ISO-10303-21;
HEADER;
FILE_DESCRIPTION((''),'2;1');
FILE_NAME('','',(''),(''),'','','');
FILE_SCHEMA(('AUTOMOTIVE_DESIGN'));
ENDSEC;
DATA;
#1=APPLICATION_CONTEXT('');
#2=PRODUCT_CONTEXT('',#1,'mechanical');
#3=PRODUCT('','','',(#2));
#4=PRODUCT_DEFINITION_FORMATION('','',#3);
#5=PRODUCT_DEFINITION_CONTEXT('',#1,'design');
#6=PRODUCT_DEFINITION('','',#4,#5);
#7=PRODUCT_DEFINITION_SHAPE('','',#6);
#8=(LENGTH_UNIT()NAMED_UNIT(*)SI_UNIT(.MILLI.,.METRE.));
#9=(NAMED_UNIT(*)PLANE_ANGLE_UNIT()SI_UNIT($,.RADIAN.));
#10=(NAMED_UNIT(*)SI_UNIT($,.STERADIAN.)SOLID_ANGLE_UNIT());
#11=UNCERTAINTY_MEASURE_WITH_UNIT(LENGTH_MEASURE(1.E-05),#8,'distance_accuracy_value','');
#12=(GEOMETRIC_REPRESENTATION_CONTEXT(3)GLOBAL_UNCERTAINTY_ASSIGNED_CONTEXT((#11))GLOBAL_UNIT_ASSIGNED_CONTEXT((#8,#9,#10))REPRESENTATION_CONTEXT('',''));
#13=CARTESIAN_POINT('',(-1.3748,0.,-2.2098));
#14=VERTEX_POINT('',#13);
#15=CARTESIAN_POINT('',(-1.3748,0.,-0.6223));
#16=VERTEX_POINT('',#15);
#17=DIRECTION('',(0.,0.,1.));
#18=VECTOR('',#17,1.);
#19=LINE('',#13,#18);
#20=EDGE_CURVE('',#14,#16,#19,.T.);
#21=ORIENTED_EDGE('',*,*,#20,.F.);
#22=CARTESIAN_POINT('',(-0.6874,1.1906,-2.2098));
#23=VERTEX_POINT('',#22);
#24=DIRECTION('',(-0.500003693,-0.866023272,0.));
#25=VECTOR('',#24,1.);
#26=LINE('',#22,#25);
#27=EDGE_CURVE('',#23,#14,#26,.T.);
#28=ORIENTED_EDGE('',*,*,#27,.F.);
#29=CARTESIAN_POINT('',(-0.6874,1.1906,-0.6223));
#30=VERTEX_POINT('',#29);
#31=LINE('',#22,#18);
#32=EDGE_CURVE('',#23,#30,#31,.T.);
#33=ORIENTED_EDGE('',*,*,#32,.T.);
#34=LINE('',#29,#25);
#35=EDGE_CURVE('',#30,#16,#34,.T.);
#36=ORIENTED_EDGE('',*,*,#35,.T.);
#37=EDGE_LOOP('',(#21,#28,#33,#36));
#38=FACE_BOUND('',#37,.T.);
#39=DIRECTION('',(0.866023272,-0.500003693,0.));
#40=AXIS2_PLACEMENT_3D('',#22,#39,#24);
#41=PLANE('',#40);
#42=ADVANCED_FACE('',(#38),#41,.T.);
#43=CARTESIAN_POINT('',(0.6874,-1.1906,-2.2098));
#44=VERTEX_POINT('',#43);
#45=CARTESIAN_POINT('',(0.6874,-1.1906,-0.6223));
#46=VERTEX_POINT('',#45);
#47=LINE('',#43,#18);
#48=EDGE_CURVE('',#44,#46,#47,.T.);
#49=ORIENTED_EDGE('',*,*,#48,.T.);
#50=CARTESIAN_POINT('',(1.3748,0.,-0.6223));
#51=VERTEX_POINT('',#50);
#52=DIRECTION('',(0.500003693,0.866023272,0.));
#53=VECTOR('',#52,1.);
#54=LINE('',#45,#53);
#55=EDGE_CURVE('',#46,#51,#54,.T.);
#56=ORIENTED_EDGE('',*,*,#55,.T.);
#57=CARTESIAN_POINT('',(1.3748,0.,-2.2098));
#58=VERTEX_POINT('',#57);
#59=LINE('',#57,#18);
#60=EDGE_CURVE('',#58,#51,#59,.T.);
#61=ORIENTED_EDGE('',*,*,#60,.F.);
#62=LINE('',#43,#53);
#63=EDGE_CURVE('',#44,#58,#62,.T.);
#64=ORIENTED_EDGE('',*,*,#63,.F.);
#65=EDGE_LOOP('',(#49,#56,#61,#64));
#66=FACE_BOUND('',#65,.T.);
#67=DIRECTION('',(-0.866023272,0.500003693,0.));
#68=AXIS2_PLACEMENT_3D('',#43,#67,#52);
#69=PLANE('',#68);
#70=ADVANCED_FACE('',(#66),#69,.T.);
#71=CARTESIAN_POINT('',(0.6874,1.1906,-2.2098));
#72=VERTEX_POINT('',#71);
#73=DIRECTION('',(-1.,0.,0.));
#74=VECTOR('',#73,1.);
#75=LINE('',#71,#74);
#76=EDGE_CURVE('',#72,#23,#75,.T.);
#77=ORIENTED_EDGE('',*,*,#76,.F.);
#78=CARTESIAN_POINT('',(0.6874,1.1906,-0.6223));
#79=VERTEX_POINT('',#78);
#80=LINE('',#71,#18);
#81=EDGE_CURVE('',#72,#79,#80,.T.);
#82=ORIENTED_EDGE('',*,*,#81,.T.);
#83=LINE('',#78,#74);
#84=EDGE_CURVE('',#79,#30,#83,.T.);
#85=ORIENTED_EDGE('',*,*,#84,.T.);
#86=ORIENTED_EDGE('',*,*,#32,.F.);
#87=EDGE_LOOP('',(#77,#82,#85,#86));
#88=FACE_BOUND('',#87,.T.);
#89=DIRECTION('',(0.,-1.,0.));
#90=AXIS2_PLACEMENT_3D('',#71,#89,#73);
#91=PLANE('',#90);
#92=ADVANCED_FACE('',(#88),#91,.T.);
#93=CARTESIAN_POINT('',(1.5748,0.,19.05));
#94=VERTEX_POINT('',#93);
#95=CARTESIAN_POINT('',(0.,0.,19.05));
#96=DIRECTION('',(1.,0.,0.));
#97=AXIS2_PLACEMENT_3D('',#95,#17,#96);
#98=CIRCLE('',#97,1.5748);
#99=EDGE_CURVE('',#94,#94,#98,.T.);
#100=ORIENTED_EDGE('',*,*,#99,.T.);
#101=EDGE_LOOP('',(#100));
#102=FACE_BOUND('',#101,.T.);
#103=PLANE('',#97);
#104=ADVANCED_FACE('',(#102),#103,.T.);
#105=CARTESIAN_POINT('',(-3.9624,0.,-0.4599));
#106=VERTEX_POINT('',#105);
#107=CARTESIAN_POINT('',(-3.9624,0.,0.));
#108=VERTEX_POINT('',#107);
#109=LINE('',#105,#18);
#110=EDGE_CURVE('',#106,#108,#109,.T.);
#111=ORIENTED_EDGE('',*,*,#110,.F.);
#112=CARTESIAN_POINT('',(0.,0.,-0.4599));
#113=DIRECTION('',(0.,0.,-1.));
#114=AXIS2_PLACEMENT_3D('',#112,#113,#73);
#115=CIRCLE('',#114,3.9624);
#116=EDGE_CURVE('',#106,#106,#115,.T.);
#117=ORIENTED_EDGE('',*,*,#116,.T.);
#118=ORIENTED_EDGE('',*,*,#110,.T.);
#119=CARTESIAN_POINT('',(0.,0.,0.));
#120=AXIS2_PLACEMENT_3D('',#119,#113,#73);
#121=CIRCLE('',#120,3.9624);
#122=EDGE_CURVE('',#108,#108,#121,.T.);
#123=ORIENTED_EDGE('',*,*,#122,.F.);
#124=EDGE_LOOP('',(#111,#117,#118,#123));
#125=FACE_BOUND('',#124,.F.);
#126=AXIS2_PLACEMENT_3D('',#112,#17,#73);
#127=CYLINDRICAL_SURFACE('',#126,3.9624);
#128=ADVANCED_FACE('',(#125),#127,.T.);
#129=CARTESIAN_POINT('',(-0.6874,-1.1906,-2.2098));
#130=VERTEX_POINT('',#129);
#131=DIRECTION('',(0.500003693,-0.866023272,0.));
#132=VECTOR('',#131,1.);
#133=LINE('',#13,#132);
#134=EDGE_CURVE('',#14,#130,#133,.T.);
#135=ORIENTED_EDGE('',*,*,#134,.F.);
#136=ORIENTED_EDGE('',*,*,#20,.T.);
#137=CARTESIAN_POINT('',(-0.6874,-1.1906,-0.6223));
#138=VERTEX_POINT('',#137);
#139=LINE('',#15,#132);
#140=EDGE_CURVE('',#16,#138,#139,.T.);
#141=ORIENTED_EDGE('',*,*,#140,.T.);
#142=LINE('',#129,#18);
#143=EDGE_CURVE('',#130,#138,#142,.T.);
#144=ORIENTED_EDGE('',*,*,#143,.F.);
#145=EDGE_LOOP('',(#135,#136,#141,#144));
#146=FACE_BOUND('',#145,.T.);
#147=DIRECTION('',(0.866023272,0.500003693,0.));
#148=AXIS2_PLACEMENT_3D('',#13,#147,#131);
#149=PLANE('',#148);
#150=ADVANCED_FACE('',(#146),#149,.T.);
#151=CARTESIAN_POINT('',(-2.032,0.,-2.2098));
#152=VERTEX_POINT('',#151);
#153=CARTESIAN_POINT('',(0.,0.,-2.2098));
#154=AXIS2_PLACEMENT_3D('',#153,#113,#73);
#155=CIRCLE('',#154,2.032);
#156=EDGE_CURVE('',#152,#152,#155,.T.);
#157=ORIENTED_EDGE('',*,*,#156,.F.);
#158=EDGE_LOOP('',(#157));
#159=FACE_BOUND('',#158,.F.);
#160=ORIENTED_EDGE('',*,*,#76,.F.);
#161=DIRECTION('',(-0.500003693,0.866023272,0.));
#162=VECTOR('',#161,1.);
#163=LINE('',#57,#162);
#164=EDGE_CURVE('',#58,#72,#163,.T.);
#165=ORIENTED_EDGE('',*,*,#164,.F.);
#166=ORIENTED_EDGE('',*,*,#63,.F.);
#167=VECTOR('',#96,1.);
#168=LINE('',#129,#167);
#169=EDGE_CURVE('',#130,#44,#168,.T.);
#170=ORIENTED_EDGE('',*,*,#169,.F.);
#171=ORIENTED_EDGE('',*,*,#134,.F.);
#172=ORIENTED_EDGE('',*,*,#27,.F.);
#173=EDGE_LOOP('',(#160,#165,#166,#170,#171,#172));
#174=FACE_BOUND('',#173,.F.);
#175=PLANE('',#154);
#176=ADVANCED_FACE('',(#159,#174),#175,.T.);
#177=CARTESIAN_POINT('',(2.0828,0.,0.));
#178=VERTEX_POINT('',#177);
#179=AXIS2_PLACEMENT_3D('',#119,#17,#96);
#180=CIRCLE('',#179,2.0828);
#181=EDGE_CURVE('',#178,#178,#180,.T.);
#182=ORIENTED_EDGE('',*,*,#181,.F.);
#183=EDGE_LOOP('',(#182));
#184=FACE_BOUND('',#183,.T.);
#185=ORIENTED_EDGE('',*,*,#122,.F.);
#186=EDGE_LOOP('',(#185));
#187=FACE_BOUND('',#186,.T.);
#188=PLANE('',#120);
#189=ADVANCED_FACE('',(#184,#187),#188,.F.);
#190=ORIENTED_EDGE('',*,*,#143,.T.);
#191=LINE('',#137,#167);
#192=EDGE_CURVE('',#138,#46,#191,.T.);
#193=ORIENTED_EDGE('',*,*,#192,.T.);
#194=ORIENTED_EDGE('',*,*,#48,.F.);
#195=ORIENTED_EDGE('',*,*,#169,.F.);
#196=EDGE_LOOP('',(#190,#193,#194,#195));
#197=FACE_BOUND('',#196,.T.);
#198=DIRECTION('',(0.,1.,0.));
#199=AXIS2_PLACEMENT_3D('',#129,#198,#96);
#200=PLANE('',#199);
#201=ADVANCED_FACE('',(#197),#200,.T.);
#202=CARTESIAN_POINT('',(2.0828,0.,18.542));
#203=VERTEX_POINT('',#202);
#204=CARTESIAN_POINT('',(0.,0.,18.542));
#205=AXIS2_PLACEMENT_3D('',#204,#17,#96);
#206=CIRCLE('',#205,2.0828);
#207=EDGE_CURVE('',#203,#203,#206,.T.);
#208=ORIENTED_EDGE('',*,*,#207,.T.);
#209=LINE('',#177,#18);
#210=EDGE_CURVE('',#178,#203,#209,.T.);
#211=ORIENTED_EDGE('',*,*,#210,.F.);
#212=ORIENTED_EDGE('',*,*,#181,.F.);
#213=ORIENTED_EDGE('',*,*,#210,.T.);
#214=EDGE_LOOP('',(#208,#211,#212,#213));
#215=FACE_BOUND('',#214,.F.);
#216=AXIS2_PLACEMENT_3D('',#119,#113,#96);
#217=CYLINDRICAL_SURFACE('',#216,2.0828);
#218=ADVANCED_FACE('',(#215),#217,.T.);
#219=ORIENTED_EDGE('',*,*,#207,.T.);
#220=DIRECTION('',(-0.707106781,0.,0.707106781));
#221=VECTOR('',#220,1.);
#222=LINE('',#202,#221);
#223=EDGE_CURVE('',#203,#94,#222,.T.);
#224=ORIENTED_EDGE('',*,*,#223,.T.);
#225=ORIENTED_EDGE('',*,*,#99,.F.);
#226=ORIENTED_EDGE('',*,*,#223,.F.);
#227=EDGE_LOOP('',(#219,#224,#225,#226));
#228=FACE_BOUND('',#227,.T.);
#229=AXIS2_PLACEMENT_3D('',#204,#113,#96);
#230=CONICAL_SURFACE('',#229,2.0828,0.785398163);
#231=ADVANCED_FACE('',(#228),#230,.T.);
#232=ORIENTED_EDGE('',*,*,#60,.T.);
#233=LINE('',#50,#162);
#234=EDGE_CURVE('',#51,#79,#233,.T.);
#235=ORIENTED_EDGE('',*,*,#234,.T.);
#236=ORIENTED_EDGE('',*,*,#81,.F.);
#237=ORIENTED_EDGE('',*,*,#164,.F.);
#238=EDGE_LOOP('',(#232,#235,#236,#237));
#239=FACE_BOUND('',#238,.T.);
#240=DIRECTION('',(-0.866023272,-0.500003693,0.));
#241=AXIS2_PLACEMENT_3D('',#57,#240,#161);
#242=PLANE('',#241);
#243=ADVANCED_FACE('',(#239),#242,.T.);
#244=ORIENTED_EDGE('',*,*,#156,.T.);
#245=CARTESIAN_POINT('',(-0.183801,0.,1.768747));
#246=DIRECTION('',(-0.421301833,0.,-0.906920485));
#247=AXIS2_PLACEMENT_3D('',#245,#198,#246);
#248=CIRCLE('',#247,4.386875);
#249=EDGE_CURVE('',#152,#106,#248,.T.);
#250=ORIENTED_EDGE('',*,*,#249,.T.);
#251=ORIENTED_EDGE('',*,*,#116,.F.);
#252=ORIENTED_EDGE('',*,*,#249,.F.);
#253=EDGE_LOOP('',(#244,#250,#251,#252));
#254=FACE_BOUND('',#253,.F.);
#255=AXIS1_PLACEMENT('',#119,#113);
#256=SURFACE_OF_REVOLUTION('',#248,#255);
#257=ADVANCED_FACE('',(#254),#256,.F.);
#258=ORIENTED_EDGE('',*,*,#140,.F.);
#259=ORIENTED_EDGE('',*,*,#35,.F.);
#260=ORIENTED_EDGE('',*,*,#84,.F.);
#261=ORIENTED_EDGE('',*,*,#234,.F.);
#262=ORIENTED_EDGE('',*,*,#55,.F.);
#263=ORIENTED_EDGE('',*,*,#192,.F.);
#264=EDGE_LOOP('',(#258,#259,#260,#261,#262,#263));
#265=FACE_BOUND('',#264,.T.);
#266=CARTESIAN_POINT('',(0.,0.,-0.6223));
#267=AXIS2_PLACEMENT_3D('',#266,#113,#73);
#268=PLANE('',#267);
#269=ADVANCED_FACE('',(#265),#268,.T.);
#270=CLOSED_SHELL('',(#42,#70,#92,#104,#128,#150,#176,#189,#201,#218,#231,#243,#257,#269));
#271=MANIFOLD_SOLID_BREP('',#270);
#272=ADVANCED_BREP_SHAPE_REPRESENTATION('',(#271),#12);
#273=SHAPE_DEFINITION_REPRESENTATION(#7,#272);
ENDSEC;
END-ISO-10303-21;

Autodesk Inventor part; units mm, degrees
ref_plane "YZ Plane" through (0, 0, 0) normal (1, 0, 0) x (0, 1, 0)
ref_plane "XZ Plane" through (0, 0, 0) normal (0, 1, 0) x (-1, 0, 0)
ref_plane "XY Plane" through (0, 0, 0) normal (0, 0, 1) x (1, 0, 0)
sketch "Sketch1" plane through (0, 0, 0) normal (0, 0, 1) x (1, 0, 0)
  circle A0 centre (0, 0) radius 2.0828
  dimension "d0" = 4.1656
extrude "Extrusion1" add sketch "Sketch1" along normal blind 19.05
sketch "Sketch2" plane through (0, 0, 0) normal (0, 1, 0) x (-1, 0, 0)
  line L0 (0, 0) -> (0, -2.2098)
  line L1 (0, 0) -> (3.9624, 0)
  line L2 (0, -2.2098) -> (2.032, -2.2098)
  line L3 (3.9624, 0) -> (3.9624, 3.6562) construction
  arc A0 (2.032, -2.2098) -> (3.9624, -0.4599) centre (0.1837, 1.7689) ccw
  line L4 (4.5847, 0.6553) -> (4.5847, -0.2608) construction
  line L5 (3.9624, -0.4599) -> (3.9624, 0)
  dimension "d3" = 2.2098
  dimension "d6" = 2.032
  dimension "d19" = 3.9624
revolve "Revolution1" add sketch "Sketch2" angle 360 about axis through (0, 0, 0) along (0, 0, -1)
sketch "Sketch3" plane through (0, 0, -2.2098) normal (0, 0, -1) x (-1, 0, 0)
  circle A0 centre (0, 0) radius 2.032 projected
  line L0 (-0.6874, 1.1906) -> (0.6874, 1.1906)
  line L1 (0.6874, 1.1906) -> (1.3748, 0)
  line L2 (1.3748, 0) -> (0.6874, -1.1906)
  line L3 (0.6874, -1.1906) -> (-0.6874, -1.1906)
  line L4 (-0.6874, -1.1906) -> (-1.3748, 0)
  line L5 (-1.3748, 0) -> (-0.6874, 1.1906)
  dimension "d8" = 2.3813
extrude "Extrusion2" cut sketch "Sketch3" against normal blind 1.5875 contours L0 L1 L2 L3 L4 L5
chamfer "Chamfer1" distance 0.508 angle 45 1 edges at (-2.0828, 0, 19.05)
thread "Thread1" size "8-32 UNC" class "2A" standard "ANSI Unified Screw Threads" full length
properties part number "8-32 BHCS x750" material "Steel"
